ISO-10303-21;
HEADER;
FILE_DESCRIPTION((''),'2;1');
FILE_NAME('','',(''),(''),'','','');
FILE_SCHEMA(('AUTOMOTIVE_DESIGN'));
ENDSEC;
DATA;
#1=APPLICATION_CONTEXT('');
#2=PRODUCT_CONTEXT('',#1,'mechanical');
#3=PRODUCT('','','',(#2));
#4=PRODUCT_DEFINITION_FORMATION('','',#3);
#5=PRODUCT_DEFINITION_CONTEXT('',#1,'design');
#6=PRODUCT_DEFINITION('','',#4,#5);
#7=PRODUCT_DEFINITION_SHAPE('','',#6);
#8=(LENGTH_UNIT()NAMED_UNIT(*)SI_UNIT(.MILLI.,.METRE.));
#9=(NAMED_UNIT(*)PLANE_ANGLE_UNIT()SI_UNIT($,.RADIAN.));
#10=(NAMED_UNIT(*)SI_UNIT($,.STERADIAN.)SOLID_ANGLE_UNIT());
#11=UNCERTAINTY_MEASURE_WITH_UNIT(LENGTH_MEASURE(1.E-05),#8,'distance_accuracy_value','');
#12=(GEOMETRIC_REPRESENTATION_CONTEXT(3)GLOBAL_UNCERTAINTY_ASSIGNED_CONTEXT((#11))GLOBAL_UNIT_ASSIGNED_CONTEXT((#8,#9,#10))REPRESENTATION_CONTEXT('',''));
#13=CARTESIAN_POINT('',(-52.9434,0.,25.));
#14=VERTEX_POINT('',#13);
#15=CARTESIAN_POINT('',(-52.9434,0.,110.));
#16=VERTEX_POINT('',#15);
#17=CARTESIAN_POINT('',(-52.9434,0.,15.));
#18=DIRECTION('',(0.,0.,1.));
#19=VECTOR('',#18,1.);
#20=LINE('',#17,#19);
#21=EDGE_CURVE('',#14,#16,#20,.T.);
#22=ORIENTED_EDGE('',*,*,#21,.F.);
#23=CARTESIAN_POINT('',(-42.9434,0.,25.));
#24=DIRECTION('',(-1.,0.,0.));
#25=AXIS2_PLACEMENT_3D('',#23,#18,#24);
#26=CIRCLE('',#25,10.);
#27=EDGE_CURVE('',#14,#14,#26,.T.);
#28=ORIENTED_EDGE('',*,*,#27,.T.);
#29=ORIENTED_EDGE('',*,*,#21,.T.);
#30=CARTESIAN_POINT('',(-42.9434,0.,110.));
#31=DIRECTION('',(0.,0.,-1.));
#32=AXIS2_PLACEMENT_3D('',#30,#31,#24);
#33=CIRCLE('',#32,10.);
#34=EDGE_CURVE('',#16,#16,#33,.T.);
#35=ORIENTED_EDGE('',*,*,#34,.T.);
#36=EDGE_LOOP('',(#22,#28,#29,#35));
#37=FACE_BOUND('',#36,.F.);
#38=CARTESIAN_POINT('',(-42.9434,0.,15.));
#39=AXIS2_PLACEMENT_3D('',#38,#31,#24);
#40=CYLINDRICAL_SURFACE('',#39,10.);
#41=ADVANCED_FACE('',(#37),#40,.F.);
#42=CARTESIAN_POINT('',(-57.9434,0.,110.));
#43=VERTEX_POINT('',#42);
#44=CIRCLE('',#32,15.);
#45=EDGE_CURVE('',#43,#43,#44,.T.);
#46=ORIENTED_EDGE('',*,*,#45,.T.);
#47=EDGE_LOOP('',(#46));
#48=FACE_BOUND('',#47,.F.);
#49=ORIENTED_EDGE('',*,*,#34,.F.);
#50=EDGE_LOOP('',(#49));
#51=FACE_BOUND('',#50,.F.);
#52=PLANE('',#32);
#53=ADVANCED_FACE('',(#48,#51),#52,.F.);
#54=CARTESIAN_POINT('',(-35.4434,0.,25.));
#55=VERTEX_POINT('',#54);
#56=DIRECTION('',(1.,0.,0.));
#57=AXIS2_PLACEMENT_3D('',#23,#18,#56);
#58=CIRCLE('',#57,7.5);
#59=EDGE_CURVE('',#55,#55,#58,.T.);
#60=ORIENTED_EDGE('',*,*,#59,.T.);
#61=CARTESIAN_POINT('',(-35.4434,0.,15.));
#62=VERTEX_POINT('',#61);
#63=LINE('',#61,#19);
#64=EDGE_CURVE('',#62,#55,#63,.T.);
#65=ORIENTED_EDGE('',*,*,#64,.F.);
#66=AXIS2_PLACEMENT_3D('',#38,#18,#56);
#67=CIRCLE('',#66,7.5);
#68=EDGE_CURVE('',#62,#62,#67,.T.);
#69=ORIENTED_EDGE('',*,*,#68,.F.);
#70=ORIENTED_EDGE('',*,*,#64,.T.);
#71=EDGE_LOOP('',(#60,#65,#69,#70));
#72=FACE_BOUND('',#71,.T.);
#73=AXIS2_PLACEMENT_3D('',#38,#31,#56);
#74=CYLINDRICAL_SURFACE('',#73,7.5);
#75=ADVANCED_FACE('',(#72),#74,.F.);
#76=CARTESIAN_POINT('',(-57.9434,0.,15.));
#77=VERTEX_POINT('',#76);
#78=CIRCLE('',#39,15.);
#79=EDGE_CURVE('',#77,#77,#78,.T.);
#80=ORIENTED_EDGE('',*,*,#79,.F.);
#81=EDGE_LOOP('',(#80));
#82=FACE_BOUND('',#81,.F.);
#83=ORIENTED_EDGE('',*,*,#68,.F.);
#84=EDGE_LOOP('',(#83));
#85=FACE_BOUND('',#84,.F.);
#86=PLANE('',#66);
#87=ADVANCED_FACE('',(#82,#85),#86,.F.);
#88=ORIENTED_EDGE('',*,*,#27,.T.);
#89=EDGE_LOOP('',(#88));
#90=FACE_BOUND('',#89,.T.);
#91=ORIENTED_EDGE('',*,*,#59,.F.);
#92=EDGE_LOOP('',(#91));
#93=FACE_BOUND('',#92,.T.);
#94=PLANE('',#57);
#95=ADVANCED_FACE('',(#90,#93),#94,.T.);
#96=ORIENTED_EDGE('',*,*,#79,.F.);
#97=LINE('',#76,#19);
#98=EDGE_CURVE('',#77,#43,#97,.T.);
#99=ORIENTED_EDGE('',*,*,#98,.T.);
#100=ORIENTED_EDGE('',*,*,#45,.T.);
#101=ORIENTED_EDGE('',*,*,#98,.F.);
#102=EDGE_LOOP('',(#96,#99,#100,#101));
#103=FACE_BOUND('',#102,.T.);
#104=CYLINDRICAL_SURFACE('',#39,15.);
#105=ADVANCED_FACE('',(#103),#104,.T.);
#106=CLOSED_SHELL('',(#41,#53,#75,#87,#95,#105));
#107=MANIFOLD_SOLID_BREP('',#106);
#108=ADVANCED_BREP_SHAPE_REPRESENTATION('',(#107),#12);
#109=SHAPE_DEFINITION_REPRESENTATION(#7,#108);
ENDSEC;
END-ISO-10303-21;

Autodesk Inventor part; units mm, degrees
ref_plane "YZ Plane" through (0, 0, 0) normal (1, 0, 0) x (0, 1, 0)
ref_plane "XZ Plane" through (0, 0, 0) normal (0, 1, 0) x (-1, 0, 0)
ref_plane "XY Plane" through (0, 0, 0) normal (0, 0, 1) x (1, 0, 0)
ref_plane "Work Plane1" through (0, 0, 0) normal (0, 0, 1) x (1, 0, 0)
sketch "Sketch1" plane through (0, 0, 0) normal (0, 0, 1) x (1, 0, 0)
  line L0 (-17.0566, -40) -> (-17.0566, -50) projected
  line L1 (-17.0566, -50) -> (17.0566, -50) projected
  line L2 (17.0566, -50) -> (17.0566, 50) projected
  line L3 (17.0566, 50) -> (-17.0566, 50) projected
  line L4 (-17.0566, 50) -> (-17.0566, 40) projected
  line L5 (-68.8301, 40) -> (-17.0566, 40) projected
  line L6 (-68.8301, 40) -> (-68.8301, 50) projected
  line L7 (-68.8301, 50) -> (-102.9434, 50) projected
  line L8 (-102.9434, 50) -> (-102.9434, -50) projected
  line L9 (-102.9434, -50) -> (-68.8301, -50) projected
  line L10 (-68.8301, -50) -> (-68.8301, -40) projected
  line L11 (-68.8301, -40) -> (-17.0566, -40) projected
  circle A0 centre (-42.9434, 0) radius 5
  circle A1 centre (-42.9434, 0) radius 7.5
  line L12 (-46.8059, 3.175) -> (-39.0808, 3.175) construction
  line L13 (-39.0808, 3.175) -> (-39.0808, -3.175) construction
  line L14 (-39.0808, -3.175) -> (-46.8059, -3.175)
  line L15 (-46.8059, -3.175) -> (-46.8059, 3.175) construction
  line L16 (-46.8059, 3.175) -> (-39.0808, -3.175) construction
  line L17 (-39.0808, 3.175) -> (-46.8059, -3.175) construction
  point P0 (0, 0)
  dimension "d0" = 10
  dimension "d1" = 15
ref_plane "Work Plane2" through (-42.9434, 0, 15) normal (0, 0, 1) x (1, 0, 0)
sketch "Sketch2" plane through (-42.9434, 0, 15) normal (0, 0, 1) x (1, 0, 0)
  circle A0 centre (0, 0) radius 10
  circle A1 centre (0, 0) radius 7.5 projected
  point P0 (42.9434, 0)
  dimension "d4" = 20
extrude "Extrusion2" add sketch "Sketch2" along normal blind 10
sketch "Sketch3" plane through (-42.9434, 0, 15) normal (0, 0, -1) x (-1, 0, 0)
  point P0 (-42.9434, 0)
sketch "Sketch4" plane through (-42.9434, 0, 15) normal (0, 0, -1) x (-1, 0, 0)
  circle A0 centre (0, 0) radius 10
  circle A1 centre (0, 0) radius 15
  point P0 (-42.9434, 0)
  dimension "d7" = 30
extrude "Extrusion3" add sketch "Sketch4" against normal blind 95
properties part number "motor_casing"
